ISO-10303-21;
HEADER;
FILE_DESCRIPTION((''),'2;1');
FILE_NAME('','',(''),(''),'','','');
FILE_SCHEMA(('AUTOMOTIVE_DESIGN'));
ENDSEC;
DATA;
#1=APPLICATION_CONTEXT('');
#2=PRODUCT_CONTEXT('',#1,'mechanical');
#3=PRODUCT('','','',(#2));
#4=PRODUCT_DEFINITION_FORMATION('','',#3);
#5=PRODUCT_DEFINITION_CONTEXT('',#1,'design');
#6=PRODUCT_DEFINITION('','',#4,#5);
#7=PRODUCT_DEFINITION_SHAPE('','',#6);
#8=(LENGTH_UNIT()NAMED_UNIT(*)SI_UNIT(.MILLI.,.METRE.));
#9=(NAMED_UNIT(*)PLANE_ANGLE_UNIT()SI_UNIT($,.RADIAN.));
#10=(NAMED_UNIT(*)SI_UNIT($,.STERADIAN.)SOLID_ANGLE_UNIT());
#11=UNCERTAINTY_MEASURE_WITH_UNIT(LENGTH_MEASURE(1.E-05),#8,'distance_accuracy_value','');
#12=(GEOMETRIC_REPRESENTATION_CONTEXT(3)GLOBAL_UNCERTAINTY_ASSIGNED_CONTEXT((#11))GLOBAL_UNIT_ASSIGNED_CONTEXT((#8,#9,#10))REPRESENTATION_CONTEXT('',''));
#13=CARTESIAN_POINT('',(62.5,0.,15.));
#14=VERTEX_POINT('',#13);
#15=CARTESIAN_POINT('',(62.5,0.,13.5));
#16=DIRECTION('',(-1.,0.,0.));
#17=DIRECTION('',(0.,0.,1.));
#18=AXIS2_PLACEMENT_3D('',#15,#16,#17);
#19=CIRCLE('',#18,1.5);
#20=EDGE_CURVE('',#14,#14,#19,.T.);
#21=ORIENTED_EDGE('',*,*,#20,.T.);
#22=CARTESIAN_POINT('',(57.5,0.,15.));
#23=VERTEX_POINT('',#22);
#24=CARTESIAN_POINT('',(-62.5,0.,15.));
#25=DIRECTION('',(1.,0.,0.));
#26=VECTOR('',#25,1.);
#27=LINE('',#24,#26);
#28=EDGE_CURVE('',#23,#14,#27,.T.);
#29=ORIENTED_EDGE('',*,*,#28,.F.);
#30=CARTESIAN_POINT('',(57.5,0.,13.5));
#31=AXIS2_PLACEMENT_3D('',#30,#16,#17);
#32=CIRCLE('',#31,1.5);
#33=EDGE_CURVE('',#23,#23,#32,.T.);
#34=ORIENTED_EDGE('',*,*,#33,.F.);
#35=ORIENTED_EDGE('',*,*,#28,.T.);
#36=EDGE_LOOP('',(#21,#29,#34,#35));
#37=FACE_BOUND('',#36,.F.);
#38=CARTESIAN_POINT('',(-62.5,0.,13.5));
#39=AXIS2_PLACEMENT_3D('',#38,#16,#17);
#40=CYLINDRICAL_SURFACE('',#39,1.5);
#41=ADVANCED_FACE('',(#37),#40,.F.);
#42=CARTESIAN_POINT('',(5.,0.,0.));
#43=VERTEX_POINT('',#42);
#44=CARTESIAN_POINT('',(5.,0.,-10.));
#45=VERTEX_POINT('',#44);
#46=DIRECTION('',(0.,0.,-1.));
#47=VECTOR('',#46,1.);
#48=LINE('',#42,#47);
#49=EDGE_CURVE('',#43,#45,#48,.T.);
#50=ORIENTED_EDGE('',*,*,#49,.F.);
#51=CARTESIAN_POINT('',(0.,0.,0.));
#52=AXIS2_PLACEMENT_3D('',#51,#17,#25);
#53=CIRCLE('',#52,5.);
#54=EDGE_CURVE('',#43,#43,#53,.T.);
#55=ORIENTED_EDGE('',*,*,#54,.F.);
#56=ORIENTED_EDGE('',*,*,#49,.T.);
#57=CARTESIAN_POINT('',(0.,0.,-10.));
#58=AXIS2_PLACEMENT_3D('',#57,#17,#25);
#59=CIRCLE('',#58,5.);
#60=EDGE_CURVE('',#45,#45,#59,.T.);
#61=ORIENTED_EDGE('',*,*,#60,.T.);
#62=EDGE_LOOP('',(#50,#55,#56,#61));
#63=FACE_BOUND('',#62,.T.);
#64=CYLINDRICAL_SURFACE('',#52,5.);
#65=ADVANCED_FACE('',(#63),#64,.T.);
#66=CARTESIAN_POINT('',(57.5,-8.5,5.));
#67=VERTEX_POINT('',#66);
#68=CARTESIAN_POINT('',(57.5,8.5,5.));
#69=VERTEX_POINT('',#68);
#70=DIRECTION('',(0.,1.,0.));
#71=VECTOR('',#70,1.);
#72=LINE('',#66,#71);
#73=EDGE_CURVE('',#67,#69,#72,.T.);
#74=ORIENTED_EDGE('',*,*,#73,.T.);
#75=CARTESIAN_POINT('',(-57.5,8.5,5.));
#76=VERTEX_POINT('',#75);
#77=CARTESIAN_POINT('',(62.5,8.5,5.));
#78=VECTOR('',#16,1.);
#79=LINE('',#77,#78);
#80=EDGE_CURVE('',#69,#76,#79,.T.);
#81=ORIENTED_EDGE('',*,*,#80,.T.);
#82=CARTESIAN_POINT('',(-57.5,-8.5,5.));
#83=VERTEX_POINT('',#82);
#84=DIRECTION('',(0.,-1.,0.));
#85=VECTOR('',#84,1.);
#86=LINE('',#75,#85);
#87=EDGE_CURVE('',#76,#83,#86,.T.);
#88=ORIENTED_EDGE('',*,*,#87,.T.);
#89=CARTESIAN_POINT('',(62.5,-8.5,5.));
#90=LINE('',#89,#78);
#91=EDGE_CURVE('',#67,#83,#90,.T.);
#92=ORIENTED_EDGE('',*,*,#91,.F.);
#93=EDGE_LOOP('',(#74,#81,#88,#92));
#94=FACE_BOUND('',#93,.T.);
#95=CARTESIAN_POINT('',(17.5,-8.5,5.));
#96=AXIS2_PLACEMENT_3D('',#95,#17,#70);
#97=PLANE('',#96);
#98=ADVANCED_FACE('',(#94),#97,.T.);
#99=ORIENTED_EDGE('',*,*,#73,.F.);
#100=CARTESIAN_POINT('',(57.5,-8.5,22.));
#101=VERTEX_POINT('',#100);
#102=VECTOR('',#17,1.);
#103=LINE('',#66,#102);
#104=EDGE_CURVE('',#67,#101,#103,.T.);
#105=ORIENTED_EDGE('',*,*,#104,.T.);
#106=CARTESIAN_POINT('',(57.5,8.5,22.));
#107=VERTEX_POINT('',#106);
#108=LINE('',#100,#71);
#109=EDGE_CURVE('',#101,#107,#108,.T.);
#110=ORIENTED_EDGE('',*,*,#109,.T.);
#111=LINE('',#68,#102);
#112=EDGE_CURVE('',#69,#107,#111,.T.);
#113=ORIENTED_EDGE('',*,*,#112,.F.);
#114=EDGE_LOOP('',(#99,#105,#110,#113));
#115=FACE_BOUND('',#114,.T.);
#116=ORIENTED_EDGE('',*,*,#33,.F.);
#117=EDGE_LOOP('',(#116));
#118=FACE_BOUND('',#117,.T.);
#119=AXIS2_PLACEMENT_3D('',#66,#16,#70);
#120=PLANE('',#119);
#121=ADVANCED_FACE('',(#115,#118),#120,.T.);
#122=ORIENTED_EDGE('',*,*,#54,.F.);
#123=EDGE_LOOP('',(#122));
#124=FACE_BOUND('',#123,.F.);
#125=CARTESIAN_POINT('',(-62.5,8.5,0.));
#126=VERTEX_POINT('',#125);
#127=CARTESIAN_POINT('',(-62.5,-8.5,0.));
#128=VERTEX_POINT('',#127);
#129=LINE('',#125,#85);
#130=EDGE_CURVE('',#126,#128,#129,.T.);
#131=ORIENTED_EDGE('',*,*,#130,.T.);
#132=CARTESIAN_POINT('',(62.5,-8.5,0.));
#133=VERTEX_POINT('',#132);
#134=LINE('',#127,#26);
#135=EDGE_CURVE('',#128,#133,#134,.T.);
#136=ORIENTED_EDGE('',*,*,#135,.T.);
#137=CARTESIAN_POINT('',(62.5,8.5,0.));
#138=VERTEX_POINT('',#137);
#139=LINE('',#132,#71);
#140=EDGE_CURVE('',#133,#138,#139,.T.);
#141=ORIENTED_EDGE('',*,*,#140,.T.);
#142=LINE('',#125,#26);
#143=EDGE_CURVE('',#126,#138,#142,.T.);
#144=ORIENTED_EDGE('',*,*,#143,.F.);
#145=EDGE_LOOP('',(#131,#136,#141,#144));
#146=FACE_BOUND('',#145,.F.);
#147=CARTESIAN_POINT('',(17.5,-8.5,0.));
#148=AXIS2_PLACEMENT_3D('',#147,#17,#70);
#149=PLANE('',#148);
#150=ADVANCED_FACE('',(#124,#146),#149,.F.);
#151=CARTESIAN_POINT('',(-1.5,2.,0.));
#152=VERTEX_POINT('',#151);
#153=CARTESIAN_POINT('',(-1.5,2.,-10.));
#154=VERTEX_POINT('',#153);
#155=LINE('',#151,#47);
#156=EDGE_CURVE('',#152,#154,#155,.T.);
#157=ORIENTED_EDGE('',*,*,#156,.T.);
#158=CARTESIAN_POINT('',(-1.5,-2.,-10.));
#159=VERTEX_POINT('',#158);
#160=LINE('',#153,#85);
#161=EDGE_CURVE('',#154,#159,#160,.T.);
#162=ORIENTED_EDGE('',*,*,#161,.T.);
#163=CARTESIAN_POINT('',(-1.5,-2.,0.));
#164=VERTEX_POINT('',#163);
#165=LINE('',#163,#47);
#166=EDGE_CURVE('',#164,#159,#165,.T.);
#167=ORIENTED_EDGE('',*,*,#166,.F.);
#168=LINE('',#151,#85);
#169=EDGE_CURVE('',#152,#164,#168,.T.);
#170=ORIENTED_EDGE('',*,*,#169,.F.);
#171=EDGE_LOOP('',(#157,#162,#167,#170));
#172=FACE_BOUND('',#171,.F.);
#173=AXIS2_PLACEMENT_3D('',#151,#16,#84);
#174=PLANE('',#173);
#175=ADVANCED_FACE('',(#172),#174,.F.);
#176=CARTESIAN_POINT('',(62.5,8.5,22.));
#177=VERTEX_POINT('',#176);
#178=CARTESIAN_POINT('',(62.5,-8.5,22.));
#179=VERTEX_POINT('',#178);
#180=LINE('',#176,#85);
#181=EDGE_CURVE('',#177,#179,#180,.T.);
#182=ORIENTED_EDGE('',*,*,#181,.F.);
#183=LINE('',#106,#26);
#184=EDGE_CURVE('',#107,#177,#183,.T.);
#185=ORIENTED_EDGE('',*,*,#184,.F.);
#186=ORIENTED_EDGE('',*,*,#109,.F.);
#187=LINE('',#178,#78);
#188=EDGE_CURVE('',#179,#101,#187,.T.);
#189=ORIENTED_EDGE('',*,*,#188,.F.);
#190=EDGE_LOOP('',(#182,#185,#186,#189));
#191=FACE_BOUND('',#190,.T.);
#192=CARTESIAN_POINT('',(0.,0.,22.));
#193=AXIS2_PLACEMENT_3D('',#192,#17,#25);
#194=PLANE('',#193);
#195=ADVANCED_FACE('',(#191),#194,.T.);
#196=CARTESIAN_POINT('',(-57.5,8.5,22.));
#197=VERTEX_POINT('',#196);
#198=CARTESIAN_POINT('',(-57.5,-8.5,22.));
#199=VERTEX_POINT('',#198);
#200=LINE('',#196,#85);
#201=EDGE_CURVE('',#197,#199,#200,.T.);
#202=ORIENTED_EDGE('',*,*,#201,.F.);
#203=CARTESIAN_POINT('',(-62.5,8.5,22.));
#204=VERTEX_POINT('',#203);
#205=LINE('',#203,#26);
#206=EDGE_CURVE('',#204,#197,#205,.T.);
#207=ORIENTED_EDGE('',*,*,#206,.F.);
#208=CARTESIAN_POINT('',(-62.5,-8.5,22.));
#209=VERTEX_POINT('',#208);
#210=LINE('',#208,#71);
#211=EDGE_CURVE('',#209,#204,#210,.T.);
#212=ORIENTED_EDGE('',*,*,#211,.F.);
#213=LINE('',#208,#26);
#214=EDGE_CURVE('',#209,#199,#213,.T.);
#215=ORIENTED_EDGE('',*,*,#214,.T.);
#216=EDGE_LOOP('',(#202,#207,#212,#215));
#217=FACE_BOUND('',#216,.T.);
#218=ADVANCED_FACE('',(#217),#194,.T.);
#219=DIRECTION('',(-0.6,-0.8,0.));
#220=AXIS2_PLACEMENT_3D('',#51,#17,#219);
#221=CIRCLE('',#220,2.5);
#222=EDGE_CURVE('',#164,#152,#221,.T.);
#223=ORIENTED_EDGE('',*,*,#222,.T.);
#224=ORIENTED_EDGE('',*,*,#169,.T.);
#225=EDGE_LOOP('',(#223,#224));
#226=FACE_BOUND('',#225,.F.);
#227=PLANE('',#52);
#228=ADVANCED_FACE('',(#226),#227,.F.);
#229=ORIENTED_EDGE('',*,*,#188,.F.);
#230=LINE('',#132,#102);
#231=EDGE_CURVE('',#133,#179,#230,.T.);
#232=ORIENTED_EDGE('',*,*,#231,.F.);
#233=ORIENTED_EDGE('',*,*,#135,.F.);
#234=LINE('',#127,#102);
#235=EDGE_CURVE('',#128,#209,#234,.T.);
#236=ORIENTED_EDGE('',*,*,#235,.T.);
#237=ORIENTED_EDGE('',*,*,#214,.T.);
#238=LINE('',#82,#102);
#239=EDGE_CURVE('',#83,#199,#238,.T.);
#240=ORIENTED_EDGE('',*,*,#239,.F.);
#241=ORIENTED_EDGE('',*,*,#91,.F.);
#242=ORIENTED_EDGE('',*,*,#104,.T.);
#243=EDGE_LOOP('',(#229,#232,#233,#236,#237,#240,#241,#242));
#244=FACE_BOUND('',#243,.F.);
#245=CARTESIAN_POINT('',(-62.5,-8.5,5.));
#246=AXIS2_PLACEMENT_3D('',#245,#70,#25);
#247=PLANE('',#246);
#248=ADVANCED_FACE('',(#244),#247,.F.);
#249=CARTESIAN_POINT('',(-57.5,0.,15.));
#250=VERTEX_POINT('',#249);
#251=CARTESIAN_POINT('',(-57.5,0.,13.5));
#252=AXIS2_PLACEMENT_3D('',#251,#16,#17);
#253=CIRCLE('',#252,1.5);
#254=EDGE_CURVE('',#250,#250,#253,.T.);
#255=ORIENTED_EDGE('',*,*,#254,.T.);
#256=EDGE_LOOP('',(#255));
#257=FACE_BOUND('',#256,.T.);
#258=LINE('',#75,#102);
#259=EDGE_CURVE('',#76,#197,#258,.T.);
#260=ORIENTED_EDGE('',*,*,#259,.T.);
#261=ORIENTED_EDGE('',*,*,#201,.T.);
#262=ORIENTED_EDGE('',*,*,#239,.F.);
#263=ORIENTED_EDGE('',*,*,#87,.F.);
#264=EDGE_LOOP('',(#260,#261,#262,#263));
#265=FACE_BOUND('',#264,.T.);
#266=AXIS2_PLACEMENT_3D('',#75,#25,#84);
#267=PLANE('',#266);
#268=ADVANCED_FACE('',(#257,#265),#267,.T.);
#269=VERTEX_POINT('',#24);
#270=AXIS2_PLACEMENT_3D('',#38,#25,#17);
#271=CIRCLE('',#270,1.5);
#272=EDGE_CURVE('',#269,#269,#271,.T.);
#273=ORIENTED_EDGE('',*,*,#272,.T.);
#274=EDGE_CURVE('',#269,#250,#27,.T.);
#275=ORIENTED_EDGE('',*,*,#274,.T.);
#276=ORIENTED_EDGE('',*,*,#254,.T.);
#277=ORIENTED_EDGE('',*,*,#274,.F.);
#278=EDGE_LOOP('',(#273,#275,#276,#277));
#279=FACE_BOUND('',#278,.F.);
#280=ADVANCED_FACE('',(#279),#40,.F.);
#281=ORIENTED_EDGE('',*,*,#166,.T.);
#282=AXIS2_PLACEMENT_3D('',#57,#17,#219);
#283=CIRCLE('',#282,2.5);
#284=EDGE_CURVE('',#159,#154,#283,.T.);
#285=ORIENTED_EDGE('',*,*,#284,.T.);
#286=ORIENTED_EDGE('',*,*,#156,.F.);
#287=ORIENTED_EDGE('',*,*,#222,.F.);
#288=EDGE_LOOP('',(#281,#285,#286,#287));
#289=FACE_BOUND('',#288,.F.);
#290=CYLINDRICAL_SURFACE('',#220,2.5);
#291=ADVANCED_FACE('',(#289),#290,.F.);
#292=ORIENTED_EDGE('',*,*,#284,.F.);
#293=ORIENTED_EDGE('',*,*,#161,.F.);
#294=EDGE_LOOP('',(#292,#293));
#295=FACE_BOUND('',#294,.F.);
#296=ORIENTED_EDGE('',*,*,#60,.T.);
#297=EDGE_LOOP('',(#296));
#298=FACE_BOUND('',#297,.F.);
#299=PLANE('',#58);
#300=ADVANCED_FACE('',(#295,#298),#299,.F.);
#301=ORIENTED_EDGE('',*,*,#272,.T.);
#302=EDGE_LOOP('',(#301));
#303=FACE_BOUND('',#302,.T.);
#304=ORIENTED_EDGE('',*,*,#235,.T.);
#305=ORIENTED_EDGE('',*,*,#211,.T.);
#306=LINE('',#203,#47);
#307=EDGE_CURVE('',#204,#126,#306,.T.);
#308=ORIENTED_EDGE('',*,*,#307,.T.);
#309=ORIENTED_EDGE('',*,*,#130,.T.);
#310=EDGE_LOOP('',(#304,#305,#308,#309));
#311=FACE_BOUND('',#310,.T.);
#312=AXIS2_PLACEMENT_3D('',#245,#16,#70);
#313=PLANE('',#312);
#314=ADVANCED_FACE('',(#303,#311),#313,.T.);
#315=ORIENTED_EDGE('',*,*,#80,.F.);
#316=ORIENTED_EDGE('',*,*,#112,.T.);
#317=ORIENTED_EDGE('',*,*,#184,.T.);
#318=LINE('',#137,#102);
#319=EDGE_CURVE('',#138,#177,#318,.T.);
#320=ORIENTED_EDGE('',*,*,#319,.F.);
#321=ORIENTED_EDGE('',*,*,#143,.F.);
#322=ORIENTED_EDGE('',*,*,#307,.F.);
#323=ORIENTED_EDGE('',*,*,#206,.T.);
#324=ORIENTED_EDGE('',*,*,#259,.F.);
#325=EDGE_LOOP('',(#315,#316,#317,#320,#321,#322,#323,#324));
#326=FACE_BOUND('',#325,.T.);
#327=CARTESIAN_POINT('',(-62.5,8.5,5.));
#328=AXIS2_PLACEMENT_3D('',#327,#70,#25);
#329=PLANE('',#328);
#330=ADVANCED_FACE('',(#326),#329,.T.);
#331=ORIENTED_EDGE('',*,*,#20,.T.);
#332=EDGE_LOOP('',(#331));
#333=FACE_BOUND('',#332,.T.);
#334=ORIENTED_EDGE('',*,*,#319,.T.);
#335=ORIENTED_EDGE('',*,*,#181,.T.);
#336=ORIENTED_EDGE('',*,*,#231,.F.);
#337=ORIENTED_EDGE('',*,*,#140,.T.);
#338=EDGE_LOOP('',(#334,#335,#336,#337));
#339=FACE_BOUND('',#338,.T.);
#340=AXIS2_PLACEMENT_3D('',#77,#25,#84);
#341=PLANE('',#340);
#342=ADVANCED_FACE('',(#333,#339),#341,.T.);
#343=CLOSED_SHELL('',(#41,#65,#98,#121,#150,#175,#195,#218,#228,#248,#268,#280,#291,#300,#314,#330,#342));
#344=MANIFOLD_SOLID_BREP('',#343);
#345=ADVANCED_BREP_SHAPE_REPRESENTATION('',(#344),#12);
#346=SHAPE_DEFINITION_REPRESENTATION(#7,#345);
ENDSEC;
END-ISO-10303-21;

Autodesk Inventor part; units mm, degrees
ref_plane "YZ Plane" through (0, 0, 0) normal (1, 0, 0) x (0, 1, 0)
ref_plane "XZ Plane" through (0, 0, 0) normal (0, 1, 0) x (-1, 0, 0)
ref_plane "XY Plane" through (0, 0, 0) normal (0, 0, 1) x (1, 0, 0)
sketch "Sketch1" plane through (0, 0, 0) normal (0, 0, 1) x (1, 0, 0)
  circle A0 centre (0, 0) radius 5
  arc A1 (-1.5, -2) -> (-1.5, 2) centre (0, 0) ccw projected
  line L0 (-1.5, 2) -> (-1.5, -2) projected
  dimension "d0" = 10
extrude "Extrusion1" add sketch "Sketch1" against normal blind 10
sketch "Sketch2" plane through (0, 0, 0) normal (0, 0, 1) x (1, 0, 0)
  line L0 (-17.5, 8.5) -> (17.5, 8.5)
  line L1 (17.5, 8.5) -> (17.5, -8.5)
  line L2 (17.5, -8.5) -> (-17.5, -8.5)
  line L3 (-17.5, -8.5) -> (-17.5, 8.5)
  line L4 (-17.5, 8.5) -> (17.5, -8.5) construction
  line L5 (17.5, 8.5) -> (-17.5, -8.5) construction
  point P0 (0, 0)
  dimension "d3" = 35
  dimension "d4" = 17
extrude "Extrusion2" add sketch "Sketch2" along normal blind 5
sketch "Sketch3" plane through (-17.5, -8.5, 0) normal (-1, 0, 0) x (0, 0, 1)
  line L0 (0, 0) -> (5, 0) projected
  line L1 (5, 0) -> (5, 17) projected
  line L2 (0, 0) -> (5, 0)
  line L3 (5, 0) -> (5, 17)
  line L4 (5, 17) -> (0, 17)
  line L5 (0, 17) -> (0, 0)
  point P0 (0, 8.5)
extrude "Extrusion3" add sketch "Sketch3" along normal blind 45
sketch "Sketch4" plane through (17.5, -8.5, 0) normal (1, 0, 0) x (0, 0, -1)
  line L0 (0, 0) -> (0, 17) projected
  line L1 (-5, 0) -> (-5, 17) projected
  line L2 (0, 0) -> (-5, 0)
  line L3 (-5, 0) -> (-5, 17)
  line L4 (-5, 17) -> (0, 17)
  line L5 (0, 17) -> (0, 0)
  point P0 (0, 8.5)
extrude "Extrusion4" add sketch "Sketch4" along normal blind 45
sketch "Sketch5" plane through (0, 0, 5) normal (0, 0, 1) x (1, 0, 0)
  line L0 (62.5, -8.5) -> (-62.5, -8.5) projected
  line L1 (62.5, -8.5) -> (57.5, -8.5)
  line L2 (57.5, -8.5) -> (57.5, 8.5)
  line L3 (57.5, 8.5) -> (62.5, 8.5)
  line L4 (62.5, 8.5) -> (62.5, -8.5)
  point P0 (0, 0)
  dimension "d11" = 5
  dimension "d12" = 17
extrude "Extrusion5" add sketch "Sketch5" along normal blind 17
sketch "Sketch6" plane through (0, 0, 5) normal (0, 0, 1) x (1, 0, 0)
  line L0 (-62.5, -8.5) -> (62.5, -8.5) projected
  line L1 (-62.5, 8.5) -> (-57.5, 8.5)
  line L2 (-57.5, 8.5) -> (-57.5, -8.5)
  line L3 (-57.5, -8.5) -> (-62.5, -8.5)
  line L4 (-62.5, -8.5) -> (-62.5, 8.5)
  point P0 (0, 0)
  dimension "d15" = 5
extrude "Extrusion6" add sketch "Sketch6" along normal blind 17
sketch "Sketch7" plane through (-62.5, -8.5, 0) normal (-1, 0, 0) x (0, 0, 1)
  line L0 (0, 0) -> (22, 0) projected
  line L1 (22, 0) -> (5, 0)
  line L2 (5, 0) -> (5, 17)
  line L3 (5, 17) -> (22, 17)
  line L4 (22, 17) -> (22, 0)
  line L5 (5, 17) -> (22, 0)
  line L6 (5, 0) -> (22, 17)
  circle A0 centre (13.5, 8.5) radius 1.5
  point P0 (0, 8.5)
  dimension "d18" = 17
  dimension "d19" = 17
  dimension "d20" = 3
extrude "Extrusion7" cut sketch "Sketch7" against normal through all contours A0 L5 L6 | L6 L5 A0 | L5 L6 A0 | A0 L6 L5
properties part number "z axis base"
